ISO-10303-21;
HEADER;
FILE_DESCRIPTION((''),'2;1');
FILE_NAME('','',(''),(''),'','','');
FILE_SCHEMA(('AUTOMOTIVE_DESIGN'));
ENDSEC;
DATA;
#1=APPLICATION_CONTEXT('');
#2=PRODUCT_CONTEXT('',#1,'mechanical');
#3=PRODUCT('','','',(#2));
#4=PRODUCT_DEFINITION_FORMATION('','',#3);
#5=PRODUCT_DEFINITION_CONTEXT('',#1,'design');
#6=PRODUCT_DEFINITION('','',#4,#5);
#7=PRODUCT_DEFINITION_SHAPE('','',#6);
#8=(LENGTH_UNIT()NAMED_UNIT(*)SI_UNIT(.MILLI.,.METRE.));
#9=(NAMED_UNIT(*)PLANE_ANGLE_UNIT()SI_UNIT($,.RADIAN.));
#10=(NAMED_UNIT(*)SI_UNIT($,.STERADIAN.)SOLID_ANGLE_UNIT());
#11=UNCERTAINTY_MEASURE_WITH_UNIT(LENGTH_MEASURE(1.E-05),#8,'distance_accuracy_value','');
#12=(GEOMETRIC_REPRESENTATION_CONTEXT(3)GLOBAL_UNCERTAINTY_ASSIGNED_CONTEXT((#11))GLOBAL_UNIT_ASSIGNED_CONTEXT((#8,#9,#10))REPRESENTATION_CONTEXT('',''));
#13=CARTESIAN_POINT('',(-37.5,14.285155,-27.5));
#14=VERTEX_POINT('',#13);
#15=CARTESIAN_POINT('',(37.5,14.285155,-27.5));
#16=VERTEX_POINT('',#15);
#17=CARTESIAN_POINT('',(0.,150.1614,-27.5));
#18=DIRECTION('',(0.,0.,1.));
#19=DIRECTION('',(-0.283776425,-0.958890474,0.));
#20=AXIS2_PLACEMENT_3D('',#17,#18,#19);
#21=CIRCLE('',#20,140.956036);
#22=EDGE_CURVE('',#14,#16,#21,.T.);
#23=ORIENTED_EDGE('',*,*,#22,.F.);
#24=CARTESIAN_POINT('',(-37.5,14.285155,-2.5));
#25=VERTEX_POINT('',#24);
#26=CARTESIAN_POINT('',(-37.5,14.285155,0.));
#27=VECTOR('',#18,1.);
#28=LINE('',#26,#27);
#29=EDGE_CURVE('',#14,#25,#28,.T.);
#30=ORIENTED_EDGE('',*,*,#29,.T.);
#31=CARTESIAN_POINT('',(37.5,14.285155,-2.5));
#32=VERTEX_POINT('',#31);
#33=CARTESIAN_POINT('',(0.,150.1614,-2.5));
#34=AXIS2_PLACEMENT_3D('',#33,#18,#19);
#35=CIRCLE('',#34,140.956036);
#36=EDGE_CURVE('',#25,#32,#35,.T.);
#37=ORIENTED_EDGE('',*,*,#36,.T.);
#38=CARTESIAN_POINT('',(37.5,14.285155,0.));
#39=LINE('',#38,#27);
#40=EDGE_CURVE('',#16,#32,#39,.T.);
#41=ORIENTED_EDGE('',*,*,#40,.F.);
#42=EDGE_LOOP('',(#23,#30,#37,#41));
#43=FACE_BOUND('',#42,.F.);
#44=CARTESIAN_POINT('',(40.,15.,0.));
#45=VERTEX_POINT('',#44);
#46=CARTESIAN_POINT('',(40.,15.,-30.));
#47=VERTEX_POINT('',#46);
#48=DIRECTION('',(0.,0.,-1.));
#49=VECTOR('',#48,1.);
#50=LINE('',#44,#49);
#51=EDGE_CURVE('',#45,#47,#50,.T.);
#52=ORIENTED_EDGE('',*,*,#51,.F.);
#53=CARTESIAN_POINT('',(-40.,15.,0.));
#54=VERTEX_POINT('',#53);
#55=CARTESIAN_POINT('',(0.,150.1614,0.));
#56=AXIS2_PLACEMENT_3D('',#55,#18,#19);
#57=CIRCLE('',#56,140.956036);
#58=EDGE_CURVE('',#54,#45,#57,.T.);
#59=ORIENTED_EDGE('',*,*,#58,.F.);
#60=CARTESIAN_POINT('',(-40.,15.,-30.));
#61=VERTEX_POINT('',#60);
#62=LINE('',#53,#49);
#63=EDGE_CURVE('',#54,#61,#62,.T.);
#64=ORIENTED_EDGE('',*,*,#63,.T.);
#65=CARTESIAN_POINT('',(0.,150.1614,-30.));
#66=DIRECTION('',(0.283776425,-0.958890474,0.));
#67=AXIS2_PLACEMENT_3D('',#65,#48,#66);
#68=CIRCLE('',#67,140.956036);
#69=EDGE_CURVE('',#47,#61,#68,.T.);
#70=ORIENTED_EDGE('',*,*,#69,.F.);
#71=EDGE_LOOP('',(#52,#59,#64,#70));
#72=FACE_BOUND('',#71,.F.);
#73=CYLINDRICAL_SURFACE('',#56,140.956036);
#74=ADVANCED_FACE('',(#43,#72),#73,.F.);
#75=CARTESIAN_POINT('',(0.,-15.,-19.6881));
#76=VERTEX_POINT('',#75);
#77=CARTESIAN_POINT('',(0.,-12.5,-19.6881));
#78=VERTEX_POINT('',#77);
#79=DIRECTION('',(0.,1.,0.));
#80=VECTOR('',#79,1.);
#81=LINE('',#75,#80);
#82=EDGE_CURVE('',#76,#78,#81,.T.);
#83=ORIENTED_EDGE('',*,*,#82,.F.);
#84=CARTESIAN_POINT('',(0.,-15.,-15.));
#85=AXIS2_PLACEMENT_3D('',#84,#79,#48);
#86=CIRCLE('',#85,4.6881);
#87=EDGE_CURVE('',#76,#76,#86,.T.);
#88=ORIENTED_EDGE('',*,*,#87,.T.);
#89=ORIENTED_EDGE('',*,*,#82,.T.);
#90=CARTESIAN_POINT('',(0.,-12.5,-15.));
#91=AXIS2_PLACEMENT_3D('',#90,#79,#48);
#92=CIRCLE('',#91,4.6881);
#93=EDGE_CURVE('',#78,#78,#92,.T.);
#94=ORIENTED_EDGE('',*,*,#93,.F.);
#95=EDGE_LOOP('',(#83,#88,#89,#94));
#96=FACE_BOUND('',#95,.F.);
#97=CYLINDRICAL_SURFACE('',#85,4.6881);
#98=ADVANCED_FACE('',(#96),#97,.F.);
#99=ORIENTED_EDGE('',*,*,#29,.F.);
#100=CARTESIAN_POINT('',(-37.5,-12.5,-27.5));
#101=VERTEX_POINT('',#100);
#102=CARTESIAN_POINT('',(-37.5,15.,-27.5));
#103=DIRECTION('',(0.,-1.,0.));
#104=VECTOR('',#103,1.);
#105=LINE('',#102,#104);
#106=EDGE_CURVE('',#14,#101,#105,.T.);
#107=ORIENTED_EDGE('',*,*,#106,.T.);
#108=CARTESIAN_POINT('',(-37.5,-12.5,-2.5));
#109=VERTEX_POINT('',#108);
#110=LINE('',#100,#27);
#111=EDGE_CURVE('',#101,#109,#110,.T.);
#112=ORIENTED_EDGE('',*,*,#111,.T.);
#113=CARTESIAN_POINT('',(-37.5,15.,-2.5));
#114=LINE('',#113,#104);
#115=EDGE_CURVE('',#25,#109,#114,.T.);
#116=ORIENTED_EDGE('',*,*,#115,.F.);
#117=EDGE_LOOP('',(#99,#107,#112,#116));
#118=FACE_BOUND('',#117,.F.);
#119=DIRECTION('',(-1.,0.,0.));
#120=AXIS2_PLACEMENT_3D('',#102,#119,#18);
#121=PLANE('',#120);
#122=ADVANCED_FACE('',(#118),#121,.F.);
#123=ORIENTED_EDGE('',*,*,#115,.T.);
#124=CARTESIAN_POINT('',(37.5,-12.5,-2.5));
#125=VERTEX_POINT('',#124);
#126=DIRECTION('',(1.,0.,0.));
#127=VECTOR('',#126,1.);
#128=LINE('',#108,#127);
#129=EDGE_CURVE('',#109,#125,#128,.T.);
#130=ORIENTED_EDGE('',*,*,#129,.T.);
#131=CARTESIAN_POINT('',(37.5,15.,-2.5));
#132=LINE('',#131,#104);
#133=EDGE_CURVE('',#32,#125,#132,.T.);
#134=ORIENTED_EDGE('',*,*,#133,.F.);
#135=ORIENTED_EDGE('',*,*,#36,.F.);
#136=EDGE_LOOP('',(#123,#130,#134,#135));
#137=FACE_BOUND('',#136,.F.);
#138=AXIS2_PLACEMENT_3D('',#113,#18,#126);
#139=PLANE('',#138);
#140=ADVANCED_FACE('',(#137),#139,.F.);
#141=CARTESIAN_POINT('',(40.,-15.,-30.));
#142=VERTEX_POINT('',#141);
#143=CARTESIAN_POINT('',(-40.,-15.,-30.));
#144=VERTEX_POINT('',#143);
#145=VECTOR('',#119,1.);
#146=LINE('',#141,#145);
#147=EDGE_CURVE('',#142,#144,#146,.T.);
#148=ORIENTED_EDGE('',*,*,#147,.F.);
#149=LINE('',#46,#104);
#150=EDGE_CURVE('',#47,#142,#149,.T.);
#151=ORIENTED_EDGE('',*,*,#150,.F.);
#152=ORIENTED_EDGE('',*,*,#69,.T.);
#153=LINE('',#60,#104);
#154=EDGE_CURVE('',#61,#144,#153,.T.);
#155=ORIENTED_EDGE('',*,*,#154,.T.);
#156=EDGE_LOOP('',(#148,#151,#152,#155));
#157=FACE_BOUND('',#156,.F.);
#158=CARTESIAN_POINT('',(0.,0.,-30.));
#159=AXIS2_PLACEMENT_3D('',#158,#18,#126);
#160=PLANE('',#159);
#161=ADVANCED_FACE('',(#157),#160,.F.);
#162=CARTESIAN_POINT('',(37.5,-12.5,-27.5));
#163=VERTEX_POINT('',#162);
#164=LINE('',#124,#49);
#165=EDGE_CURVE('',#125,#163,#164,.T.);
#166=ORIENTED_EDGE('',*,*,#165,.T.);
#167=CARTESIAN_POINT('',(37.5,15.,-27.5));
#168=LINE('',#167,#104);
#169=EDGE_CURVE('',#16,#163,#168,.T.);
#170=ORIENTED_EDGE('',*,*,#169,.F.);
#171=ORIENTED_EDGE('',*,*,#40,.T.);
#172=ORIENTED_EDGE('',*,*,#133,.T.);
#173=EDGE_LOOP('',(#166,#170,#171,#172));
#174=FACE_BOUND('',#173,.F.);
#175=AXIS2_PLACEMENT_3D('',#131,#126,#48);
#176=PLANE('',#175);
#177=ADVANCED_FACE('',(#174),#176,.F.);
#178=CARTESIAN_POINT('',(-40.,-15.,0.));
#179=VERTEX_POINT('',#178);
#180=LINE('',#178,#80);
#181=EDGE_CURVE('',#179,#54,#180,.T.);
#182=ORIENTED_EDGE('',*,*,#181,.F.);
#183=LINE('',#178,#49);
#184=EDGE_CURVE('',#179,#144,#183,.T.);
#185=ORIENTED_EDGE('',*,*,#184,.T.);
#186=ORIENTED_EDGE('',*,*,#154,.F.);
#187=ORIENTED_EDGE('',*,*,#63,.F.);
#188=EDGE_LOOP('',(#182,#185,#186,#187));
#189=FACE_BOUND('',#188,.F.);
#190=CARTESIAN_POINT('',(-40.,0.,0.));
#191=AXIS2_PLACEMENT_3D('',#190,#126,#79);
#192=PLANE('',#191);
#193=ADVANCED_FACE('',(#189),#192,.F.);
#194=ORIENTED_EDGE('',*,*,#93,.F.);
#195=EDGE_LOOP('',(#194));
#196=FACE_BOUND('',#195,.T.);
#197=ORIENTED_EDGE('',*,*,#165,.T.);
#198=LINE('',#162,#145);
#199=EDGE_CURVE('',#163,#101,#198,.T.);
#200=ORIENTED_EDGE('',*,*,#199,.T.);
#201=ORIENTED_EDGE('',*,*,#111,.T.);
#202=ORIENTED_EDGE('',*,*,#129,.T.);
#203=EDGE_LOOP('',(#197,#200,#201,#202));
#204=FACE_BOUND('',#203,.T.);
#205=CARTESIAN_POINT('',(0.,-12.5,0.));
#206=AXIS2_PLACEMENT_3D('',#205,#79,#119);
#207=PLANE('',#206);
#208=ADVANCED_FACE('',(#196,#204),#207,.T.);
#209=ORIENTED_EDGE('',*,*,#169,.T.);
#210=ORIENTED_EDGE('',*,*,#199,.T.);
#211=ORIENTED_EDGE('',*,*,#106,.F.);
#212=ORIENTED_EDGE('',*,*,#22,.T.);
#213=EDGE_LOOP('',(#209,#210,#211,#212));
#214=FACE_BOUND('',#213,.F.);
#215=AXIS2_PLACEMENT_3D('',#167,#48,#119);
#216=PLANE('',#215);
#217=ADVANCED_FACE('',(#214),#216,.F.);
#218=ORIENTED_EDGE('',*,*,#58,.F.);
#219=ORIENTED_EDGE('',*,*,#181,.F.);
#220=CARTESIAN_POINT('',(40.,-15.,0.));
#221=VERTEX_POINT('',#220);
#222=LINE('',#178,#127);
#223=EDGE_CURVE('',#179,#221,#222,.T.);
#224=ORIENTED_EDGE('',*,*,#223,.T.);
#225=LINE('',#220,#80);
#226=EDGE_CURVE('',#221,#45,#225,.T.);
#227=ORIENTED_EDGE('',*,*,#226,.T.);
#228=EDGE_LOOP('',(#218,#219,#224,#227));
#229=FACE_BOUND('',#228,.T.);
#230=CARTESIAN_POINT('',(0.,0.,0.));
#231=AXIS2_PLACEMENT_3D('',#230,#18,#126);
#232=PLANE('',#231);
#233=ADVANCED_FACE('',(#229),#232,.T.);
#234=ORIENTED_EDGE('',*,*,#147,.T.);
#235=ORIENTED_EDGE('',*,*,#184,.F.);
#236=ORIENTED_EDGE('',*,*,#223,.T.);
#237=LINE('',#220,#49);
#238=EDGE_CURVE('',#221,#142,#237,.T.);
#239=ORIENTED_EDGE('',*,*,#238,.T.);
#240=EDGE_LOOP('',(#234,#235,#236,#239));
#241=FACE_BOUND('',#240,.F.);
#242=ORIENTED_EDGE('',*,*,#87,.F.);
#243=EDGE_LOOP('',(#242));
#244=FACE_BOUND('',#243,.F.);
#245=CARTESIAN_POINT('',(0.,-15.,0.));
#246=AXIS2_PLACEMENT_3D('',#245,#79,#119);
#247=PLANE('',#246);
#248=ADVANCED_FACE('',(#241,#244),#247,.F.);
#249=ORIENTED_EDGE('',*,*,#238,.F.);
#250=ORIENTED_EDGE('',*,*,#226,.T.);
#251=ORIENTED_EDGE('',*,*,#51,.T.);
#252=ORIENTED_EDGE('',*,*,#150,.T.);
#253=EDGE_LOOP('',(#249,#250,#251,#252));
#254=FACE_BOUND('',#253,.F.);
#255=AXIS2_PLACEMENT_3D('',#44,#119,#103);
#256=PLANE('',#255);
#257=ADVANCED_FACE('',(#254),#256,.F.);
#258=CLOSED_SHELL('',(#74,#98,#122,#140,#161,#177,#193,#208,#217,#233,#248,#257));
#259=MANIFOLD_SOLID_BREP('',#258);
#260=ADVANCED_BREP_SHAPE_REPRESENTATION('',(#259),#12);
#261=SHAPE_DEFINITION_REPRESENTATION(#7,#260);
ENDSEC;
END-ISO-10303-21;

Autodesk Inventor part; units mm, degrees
ref_plane "YZ Plane" through (0, 0, 0) normal (1, 0, 0) x (0, 1, 0)
ref_plane "XY Plane" through (0, 0, 0) normal (0, 0, 1) x (1, 0, 0)
sketch "Skizze1" plane through (0, 0, 0) normal (0, 0, 1) x (1, 0, 0)
  line L0 (-56, 0) -> (56, 0) projected
  line L1 (0, -48.0323) -> (0, 183.1937) projected
  line L2 (40, 15) -> (40, -15)
  line L3 (40, -15) -> (-40, -15)
  line L4 (-40, -15) -> (-40, 15)
  arc A0 (-40, 15) -> (40, 15) centre (0, 150.1614) ccw
  point P0 (0, 0)
  dimension "d0" = 80
extrude "Extrusion1" add sketch "Skizze1" against normal blind 30
ref_plane "Arbeitsebene1" through (0, 15, 0) normal (0, 1, 0) x (-1, 0, 0)
sketch "Skizze3" plane through (0, 15, 0) normal (0, 1, 0) x (-1, 0, 0)
  line L0 (37.5, -2.5) -> (-37.5, -2.5)
  line L1 (-37.5, -2.5) -> (-37.5, -27.5)
  line L2 (-37.5, -27.5) -> (37.5, -27.5)
  line L3 (37.5, -27.5) -> (37.5, -2.5)
  line L4 (40, 0) -> (40, -30) projected
  line L5 (40, -30) -> (-40, -30) projected
  line L6 (-40, 0) -> (40, 0) projected
  line L7 (-40, 0) -> (-40, -30) projected
  point P0 (0, 0)
  dimension "d9" = 2.5
  dimension "d10" = 2.5
  dimension "d11" = 2.5
  dimension "d12" = 2.5
extrude "Extrusion2" cut sketch "Skizze3" against normal blind 27.5 contours L3 L2 L1 L0
sketch "Skizze4" plane through (-40, -15, 0) normal (0, -1, 0) x (1, 0, 0)
  line L0 (0, 0) -> (0, -30) projected
  line L1 (80, -30) -> (0, -30) projected
  point P0 (40, 0)
  point P1 (40, -15)
  dimension "d15" = 40
  dimension "d16" = 15
hole "Bohrung1" at (0, -15, -15) direction (0, 1, 0) diameter 9.3762 end through all thread size "M11x1.5" class "6H" standard "ISO Metric profile"
properties part number "Wasserablauf"
